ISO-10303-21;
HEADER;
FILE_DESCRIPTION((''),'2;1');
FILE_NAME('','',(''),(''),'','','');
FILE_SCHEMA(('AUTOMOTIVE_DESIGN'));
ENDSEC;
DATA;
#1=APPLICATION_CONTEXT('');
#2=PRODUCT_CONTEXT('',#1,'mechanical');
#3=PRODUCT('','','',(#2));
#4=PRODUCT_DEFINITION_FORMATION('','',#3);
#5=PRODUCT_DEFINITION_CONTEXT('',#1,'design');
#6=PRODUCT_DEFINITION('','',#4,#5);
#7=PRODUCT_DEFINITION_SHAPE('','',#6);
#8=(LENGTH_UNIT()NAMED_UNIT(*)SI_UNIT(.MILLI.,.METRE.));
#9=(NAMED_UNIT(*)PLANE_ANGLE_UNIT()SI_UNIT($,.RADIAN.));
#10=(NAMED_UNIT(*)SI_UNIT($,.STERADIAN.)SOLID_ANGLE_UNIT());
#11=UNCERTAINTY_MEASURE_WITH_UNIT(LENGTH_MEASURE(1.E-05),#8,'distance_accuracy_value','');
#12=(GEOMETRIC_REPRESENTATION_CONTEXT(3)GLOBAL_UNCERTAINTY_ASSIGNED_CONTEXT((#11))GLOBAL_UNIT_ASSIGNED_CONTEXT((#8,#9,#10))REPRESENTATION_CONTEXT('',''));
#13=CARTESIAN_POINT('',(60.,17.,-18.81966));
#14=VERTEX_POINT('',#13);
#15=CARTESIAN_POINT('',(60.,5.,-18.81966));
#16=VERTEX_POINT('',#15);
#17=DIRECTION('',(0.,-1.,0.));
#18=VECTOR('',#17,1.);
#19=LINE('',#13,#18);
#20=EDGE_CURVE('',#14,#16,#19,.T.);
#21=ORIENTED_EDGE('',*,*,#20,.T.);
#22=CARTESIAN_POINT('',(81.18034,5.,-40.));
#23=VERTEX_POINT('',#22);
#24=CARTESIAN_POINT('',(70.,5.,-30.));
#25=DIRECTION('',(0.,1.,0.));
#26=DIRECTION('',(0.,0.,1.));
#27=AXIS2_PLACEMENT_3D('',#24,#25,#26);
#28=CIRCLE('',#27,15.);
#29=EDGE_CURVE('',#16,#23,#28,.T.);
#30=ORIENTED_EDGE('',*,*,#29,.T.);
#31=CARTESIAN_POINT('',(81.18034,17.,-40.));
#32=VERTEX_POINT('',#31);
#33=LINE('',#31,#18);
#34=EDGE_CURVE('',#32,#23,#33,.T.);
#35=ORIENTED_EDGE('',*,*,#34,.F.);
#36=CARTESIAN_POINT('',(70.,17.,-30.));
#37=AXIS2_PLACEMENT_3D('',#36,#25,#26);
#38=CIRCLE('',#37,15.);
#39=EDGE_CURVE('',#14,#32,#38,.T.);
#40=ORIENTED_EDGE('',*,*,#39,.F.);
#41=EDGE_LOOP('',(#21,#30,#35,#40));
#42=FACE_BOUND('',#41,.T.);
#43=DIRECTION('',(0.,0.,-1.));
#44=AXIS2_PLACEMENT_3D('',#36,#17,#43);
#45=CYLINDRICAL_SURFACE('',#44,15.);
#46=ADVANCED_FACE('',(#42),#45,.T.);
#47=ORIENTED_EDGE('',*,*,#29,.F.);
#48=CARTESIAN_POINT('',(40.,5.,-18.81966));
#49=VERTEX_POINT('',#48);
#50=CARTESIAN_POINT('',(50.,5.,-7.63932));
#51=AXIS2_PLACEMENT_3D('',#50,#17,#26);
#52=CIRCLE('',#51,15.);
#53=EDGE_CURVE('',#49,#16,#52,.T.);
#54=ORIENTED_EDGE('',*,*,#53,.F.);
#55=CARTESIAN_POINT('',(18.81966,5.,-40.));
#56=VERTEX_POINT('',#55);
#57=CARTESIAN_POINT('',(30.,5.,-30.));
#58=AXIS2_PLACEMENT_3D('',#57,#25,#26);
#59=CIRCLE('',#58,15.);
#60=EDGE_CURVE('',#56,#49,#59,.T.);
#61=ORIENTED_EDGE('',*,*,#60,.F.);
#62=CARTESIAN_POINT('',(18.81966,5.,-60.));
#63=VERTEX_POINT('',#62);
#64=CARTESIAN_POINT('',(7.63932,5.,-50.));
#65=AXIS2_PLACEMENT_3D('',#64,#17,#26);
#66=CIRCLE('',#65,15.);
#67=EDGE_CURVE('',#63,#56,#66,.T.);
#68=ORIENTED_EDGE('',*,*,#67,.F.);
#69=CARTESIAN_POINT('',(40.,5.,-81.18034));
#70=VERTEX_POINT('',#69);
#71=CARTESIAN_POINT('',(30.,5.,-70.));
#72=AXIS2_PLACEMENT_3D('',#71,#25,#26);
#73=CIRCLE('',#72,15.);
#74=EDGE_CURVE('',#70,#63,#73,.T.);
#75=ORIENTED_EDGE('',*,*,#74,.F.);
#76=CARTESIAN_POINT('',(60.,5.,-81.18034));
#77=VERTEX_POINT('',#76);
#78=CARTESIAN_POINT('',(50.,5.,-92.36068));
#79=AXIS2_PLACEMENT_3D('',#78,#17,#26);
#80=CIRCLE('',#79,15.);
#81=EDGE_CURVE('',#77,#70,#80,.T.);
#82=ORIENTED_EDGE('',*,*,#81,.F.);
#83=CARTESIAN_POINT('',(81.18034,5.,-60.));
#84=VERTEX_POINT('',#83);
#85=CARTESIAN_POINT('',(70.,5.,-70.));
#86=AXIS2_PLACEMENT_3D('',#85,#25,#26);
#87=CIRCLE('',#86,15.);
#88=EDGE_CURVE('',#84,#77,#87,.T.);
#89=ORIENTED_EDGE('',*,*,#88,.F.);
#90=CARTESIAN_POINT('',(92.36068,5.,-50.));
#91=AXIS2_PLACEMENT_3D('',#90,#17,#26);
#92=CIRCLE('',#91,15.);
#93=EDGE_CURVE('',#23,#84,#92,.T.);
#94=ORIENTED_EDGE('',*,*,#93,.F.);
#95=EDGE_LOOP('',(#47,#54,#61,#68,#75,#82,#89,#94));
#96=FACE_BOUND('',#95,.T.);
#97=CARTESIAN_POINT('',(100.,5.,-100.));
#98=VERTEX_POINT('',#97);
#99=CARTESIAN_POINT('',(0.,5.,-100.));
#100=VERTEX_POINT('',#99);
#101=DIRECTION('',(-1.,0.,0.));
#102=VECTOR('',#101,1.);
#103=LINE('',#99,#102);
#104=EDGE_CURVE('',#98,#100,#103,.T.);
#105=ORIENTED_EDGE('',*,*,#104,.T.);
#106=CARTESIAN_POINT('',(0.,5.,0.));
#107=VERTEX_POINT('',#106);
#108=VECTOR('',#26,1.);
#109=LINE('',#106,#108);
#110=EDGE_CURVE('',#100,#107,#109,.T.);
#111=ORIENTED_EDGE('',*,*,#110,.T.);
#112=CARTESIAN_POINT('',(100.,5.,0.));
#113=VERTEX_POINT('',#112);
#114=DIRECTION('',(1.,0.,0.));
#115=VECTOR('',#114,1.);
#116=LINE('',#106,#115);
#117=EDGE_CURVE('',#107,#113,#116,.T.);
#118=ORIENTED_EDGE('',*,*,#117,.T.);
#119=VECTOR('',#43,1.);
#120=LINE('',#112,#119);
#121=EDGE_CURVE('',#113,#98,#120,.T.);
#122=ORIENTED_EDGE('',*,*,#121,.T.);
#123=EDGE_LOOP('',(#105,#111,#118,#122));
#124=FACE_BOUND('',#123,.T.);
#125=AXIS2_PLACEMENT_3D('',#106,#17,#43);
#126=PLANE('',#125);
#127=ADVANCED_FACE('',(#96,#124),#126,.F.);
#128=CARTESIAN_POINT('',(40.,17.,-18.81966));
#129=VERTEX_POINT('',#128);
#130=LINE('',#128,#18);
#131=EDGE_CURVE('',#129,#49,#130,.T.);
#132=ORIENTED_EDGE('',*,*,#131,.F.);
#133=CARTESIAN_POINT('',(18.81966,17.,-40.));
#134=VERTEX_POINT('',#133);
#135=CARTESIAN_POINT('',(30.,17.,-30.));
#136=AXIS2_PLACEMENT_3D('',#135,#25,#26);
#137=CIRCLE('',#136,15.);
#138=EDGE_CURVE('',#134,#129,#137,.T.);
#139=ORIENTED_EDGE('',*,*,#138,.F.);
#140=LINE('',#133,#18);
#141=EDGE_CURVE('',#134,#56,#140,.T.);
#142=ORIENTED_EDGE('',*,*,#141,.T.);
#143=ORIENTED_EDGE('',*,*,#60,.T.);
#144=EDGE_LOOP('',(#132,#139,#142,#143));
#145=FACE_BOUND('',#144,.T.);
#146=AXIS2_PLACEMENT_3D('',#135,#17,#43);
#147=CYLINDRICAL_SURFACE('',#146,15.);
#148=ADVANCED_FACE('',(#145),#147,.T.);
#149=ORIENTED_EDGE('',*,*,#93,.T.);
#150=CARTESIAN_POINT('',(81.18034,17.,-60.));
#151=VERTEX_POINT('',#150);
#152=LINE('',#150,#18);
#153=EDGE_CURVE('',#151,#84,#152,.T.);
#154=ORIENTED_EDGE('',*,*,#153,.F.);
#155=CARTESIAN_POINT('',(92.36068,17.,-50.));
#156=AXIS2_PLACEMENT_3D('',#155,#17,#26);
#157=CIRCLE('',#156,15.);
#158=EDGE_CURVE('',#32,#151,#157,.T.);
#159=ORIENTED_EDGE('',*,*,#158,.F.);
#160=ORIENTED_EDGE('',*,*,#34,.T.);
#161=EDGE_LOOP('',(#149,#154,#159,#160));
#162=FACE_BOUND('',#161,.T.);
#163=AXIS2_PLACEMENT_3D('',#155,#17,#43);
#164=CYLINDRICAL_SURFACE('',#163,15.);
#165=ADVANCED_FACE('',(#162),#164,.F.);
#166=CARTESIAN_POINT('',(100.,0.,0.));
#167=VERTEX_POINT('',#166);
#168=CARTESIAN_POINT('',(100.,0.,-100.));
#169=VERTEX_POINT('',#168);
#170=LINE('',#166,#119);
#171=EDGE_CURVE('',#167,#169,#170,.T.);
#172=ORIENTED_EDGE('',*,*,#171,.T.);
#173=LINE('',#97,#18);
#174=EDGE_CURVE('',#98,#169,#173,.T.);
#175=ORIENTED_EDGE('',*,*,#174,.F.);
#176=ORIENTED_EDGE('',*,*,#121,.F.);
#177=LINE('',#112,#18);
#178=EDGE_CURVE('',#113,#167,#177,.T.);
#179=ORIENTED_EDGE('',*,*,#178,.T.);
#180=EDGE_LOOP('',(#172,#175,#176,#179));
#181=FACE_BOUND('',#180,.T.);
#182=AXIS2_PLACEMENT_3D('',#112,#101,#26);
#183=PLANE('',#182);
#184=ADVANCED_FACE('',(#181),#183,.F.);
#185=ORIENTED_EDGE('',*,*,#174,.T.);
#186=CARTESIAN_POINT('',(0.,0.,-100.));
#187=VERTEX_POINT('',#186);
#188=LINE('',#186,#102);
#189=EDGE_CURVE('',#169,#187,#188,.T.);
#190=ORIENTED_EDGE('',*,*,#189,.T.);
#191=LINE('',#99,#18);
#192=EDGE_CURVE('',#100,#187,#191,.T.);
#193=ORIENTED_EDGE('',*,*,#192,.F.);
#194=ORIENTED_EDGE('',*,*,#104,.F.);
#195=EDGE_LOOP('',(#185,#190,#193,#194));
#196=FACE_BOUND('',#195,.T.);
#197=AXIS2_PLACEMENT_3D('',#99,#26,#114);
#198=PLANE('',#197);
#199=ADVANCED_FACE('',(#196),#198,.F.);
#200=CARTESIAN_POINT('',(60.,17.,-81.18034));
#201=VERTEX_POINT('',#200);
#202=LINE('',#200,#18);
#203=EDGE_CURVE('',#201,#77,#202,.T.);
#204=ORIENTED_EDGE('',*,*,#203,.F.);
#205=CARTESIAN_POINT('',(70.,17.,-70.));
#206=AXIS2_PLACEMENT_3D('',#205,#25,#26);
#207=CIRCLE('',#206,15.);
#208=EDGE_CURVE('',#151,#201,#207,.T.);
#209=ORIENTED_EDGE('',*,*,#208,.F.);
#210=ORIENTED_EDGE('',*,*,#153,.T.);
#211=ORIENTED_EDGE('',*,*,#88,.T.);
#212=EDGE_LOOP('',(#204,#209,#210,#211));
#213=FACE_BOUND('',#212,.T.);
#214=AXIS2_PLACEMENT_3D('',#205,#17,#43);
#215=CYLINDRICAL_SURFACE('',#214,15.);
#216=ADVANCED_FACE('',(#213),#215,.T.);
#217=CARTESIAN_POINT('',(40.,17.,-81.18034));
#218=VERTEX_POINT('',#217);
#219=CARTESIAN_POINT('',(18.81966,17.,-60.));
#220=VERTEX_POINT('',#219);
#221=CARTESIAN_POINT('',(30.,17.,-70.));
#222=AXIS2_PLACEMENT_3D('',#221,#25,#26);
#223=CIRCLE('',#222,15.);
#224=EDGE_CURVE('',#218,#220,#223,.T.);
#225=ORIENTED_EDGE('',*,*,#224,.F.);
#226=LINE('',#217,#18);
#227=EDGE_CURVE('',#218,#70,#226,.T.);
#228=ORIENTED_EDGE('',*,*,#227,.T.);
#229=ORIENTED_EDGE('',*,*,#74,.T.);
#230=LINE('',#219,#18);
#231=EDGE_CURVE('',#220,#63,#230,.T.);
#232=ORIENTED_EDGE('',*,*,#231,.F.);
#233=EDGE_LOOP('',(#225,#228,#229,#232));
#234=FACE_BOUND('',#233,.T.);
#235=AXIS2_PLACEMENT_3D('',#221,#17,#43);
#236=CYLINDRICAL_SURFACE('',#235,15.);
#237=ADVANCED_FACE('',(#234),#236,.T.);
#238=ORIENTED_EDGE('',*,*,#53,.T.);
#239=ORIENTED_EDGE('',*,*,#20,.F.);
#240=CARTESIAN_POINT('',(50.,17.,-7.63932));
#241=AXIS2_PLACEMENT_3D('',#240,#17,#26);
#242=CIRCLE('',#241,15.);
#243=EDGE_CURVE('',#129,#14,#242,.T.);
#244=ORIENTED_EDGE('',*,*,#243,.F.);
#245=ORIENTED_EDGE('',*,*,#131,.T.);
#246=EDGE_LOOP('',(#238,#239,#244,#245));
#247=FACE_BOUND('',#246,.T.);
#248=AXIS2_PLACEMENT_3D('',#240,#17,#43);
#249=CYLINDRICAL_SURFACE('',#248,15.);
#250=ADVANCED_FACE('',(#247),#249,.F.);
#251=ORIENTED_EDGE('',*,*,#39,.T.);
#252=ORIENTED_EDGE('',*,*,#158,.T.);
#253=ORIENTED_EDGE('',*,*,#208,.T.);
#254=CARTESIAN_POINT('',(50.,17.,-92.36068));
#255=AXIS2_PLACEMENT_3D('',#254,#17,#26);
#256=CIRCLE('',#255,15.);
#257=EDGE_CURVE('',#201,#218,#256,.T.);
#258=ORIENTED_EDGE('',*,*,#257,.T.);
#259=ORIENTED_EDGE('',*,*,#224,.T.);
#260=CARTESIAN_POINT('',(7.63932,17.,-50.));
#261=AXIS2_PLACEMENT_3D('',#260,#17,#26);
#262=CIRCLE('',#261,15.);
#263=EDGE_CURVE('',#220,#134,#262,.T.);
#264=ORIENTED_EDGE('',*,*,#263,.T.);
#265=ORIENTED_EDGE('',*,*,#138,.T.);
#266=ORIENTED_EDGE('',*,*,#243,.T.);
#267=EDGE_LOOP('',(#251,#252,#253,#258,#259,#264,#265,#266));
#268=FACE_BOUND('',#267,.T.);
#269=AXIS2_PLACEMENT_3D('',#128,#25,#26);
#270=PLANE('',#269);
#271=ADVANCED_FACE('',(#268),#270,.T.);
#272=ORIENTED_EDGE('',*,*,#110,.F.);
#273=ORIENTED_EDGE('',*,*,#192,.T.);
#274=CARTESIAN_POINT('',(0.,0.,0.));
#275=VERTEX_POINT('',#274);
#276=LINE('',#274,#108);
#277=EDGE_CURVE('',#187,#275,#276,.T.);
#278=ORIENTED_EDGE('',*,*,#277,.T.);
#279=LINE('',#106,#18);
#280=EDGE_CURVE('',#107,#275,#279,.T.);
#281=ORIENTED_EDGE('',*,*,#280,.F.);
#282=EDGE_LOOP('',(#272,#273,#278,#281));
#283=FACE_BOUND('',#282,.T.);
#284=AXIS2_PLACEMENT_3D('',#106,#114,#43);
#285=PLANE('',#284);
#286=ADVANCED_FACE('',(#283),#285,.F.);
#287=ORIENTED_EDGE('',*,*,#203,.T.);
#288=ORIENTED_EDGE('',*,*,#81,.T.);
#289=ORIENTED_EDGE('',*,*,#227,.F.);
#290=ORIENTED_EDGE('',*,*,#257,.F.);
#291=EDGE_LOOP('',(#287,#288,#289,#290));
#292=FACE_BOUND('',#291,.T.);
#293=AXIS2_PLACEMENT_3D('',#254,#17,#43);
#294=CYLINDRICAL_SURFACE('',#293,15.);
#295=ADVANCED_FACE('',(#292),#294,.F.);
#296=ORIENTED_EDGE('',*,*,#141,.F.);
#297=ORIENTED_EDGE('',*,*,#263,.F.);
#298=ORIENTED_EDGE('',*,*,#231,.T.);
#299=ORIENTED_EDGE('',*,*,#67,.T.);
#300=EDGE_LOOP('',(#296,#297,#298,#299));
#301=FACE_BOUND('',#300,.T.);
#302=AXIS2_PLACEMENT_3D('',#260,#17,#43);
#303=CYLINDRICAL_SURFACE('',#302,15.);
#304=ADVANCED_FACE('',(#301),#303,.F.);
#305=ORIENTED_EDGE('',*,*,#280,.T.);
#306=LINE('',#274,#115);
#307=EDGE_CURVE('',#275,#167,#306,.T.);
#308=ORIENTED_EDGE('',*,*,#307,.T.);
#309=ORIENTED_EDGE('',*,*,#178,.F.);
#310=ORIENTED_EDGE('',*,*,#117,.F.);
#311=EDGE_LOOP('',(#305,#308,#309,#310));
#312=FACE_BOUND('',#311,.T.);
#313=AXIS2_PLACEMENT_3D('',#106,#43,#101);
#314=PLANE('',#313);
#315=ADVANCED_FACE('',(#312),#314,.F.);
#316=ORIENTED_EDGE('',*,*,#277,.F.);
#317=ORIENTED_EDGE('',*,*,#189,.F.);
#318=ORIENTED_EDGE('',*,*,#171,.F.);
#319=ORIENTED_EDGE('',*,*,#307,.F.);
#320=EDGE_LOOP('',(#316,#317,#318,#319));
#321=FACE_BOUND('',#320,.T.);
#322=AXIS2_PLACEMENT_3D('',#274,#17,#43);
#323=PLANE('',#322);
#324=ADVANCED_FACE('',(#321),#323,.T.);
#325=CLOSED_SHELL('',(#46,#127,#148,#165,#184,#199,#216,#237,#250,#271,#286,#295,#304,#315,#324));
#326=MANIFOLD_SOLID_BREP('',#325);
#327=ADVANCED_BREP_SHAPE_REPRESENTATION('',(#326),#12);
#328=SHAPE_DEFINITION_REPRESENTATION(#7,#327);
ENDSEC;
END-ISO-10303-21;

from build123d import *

# Parameters (mm, degrees)
SKETCH5_W           = 100
SKETCH5_H           = 100
BOSS_EXTRUDE1_DEPTH = 5
BOSS_EXTRUDE2_DEPTH = 12


with BuildPart() as part:
    # Sketch5 → Boss-Extrude1 (new body)
    with BuildSketch(Plane(origin=(0, 0, 0), x_dir=(1, 0, 0), z_dir=(0, 1, 0))):
        with Locations((50, 50)):
            Rectangle(SKETCH5_W, SKETCH5_H)
    extrude(amount=BOSS_EXTRUDE1_DEPTH)

    # Sketch7 → Boss-Extrude2 (add)
    with BuildSketch(Plane(origin=(0, 5, 0), x_dir=(1, 0, 0), z_dir=(0, 1, 0))):
        with BuildLine():
            ThreePointArc((81.180339887, 60), (80.606601718, 80.606601718), (60, 81.180339887))
            ThreePointArc((60, 81.180339887), (50, 77.360679775), (40, 81.180339887))
            ThreePointArc((40, 81.180339887), (19.393398282, 80.606601718), (18.819660113, 60))
            ThreePointArc((18.819660113, 60), (22.639320225, 50), (18.819660113, 40))
            ThreePointArc((18.819660113, 40), (19.393398282, 19.393398282), (40, 18.819660113))
            ThreePointArc((40, 18.819660113), (50, 22.639320225), (60, 18.819660113))
            ThreePointArc((60, 18.819660113), (80.606601718, 19.393398282), (81.180339887, 40))
            ThreePointArc((81.180339887, 40), (77.360679775, 50), (81.180339887, 60))
        make_face()
    extrude(amount=BOSS_EXTRUDE2_DEPTH)


solid = part.part
